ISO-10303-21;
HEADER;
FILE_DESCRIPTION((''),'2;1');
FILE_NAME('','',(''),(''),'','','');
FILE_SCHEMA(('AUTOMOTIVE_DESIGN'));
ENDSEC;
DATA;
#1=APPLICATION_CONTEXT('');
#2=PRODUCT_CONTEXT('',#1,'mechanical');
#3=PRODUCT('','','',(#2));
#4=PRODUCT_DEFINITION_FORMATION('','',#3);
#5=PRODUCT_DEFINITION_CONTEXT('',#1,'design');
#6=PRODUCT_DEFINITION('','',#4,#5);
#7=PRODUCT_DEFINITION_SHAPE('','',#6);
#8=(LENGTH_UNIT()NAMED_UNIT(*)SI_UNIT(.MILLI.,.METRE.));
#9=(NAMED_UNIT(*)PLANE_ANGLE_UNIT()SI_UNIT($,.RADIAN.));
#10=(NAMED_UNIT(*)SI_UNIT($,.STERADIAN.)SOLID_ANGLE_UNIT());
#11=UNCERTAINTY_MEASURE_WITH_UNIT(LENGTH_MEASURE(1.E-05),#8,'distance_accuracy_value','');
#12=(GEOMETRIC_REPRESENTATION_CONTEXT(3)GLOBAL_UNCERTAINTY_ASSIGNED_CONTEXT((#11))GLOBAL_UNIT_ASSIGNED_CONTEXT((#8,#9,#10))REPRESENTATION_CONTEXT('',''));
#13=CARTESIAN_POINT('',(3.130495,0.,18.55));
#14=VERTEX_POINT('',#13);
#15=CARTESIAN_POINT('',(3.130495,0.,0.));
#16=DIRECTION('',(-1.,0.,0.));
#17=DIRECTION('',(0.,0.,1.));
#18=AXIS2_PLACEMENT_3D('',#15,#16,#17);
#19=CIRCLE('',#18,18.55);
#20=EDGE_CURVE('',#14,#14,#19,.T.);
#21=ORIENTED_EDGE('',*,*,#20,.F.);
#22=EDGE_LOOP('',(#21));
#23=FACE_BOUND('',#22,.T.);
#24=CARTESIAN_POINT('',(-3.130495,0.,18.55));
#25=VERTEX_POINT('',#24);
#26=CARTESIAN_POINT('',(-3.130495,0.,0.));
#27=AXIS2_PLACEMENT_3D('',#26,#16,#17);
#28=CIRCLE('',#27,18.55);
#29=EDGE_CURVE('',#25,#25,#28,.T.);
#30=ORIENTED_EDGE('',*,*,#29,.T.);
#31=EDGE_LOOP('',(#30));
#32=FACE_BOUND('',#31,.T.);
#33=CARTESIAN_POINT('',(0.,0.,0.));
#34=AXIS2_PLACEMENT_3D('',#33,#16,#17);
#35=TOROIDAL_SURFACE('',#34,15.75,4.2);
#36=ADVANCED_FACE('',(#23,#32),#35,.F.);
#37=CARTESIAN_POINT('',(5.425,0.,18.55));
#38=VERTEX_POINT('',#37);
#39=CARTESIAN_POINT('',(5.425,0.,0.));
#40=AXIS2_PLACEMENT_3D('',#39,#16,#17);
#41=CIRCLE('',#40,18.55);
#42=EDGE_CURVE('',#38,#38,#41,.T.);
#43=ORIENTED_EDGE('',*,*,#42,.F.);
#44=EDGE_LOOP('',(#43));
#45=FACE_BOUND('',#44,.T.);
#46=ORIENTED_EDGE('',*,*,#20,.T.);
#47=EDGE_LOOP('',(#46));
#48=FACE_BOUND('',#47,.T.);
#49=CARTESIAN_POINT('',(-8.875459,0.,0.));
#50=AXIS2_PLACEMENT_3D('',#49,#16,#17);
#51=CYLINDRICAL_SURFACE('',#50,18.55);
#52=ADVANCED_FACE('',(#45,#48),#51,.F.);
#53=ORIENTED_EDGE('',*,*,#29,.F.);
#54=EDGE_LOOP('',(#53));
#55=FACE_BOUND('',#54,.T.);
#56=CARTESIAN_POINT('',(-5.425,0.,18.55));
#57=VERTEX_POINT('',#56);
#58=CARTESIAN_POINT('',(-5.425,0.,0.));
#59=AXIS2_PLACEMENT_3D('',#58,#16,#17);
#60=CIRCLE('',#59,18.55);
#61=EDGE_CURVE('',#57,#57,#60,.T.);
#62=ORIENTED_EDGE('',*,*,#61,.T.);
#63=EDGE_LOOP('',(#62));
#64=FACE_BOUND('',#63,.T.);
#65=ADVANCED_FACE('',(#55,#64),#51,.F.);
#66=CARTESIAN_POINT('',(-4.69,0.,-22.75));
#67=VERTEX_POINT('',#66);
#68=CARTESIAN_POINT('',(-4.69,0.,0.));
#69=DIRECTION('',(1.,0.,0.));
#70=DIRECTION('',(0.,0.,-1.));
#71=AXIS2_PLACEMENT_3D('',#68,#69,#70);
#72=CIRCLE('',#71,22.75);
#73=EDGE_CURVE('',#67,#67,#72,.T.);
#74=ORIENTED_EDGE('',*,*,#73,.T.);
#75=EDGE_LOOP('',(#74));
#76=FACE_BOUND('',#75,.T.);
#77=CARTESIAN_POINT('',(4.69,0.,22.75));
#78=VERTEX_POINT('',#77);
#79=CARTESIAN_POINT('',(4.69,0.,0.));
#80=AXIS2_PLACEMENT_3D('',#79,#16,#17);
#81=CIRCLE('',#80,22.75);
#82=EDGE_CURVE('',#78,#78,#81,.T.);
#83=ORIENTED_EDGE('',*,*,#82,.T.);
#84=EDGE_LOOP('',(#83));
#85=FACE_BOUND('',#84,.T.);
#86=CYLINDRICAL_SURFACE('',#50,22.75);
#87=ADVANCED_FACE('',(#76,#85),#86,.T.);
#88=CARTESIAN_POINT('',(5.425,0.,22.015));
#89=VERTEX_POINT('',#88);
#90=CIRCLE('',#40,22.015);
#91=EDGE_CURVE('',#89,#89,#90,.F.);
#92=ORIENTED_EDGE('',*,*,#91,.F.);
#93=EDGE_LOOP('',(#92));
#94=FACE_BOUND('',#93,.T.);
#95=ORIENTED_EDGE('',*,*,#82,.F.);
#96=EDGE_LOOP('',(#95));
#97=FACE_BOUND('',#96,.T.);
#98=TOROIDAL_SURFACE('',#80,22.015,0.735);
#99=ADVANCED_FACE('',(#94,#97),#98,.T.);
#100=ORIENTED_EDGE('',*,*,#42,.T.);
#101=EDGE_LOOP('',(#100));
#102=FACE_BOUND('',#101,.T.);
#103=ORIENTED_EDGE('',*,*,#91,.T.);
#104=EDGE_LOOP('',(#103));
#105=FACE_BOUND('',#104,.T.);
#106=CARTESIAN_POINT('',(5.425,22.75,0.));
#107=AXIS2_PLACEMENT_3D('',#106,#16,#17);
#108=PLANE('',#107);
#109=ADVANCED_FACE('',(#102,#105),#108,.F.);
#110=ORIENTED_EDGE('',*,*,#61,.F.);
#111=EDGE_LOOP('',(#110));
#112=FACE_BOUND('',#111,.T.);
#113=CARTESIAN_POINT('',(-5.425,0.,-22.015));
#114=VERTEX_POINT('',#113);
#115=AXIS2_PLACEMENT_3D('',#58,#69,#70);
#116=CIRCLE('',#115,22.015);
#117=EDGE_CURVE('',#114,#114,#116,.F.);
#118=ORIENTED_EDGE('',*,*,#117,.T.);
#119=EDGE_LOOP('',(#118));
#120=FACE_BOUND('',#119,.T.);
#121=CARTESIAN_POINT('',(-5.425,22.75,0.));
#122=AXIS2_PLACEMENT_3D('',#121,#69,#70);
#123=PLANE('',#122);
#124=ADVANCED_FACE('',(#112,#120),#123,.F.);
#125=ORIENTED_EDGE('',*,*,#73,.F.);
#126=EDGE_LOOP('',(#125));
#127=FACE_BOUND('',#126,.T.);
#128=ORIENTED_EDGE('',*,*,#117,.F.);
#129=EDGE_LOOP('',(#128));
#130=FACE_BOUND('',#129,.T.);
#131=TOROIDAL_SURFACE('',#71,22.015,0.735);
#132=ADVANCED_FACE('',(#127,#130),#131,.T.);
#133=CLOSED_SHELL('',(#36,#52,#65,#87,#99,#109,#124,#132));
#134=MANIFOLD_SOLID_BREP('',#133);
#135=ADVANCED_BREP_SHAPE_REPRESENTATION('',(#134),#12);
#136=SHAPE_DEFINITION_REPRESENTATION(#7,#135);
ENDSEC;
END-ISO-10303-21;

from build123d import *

# Parameters (mm, degrees)
FILLET1_R    = 2.1
SCALE1_SCALE = 0.35


with BuildPart() as part:
    # Sketch1 → Revolve1 (revolve)
    with BuildSketch(Plane.XY, mode=Mode.PRIVATE) as revolve1_sk:
        with BuildLine():
            Line((-15.5, 65), (15.5, 65))
            Line((15.5, 65), (15.5, 53))
            Line((15.5, 53), (8.94427191, 53))
            ThreePointArc((8.94427191, 53), (0, 57), (-8.94427191, 53))
            Line((-8.94427191, 53), (-15.5, 53))
            Line((-15.5, 53), (-15.5, 65))
        make_face()
    revolve(revolve1_sk.sketch.rotate(Axis((-25.358454362, 0, 0), (1, 0, 0)), 90), axis=Axis((-25.358454362, 0, 0), (1, 0, 0)))

    # Fillet1
    fillet1_edges = [part.edges().sort_by_distance(p)[0] for p in [
        (15.5, 0, -65),
        (-15.5, 0, -65),
    ]]
    fillet(fillet1_edges, radius=FILLET1_R)


with BuildPart() as part_1:
    # Scale1: scaled about (0, 0, 0)
    add(part.part.scale(SCALE1_SCALE))


solid = part_1.part
